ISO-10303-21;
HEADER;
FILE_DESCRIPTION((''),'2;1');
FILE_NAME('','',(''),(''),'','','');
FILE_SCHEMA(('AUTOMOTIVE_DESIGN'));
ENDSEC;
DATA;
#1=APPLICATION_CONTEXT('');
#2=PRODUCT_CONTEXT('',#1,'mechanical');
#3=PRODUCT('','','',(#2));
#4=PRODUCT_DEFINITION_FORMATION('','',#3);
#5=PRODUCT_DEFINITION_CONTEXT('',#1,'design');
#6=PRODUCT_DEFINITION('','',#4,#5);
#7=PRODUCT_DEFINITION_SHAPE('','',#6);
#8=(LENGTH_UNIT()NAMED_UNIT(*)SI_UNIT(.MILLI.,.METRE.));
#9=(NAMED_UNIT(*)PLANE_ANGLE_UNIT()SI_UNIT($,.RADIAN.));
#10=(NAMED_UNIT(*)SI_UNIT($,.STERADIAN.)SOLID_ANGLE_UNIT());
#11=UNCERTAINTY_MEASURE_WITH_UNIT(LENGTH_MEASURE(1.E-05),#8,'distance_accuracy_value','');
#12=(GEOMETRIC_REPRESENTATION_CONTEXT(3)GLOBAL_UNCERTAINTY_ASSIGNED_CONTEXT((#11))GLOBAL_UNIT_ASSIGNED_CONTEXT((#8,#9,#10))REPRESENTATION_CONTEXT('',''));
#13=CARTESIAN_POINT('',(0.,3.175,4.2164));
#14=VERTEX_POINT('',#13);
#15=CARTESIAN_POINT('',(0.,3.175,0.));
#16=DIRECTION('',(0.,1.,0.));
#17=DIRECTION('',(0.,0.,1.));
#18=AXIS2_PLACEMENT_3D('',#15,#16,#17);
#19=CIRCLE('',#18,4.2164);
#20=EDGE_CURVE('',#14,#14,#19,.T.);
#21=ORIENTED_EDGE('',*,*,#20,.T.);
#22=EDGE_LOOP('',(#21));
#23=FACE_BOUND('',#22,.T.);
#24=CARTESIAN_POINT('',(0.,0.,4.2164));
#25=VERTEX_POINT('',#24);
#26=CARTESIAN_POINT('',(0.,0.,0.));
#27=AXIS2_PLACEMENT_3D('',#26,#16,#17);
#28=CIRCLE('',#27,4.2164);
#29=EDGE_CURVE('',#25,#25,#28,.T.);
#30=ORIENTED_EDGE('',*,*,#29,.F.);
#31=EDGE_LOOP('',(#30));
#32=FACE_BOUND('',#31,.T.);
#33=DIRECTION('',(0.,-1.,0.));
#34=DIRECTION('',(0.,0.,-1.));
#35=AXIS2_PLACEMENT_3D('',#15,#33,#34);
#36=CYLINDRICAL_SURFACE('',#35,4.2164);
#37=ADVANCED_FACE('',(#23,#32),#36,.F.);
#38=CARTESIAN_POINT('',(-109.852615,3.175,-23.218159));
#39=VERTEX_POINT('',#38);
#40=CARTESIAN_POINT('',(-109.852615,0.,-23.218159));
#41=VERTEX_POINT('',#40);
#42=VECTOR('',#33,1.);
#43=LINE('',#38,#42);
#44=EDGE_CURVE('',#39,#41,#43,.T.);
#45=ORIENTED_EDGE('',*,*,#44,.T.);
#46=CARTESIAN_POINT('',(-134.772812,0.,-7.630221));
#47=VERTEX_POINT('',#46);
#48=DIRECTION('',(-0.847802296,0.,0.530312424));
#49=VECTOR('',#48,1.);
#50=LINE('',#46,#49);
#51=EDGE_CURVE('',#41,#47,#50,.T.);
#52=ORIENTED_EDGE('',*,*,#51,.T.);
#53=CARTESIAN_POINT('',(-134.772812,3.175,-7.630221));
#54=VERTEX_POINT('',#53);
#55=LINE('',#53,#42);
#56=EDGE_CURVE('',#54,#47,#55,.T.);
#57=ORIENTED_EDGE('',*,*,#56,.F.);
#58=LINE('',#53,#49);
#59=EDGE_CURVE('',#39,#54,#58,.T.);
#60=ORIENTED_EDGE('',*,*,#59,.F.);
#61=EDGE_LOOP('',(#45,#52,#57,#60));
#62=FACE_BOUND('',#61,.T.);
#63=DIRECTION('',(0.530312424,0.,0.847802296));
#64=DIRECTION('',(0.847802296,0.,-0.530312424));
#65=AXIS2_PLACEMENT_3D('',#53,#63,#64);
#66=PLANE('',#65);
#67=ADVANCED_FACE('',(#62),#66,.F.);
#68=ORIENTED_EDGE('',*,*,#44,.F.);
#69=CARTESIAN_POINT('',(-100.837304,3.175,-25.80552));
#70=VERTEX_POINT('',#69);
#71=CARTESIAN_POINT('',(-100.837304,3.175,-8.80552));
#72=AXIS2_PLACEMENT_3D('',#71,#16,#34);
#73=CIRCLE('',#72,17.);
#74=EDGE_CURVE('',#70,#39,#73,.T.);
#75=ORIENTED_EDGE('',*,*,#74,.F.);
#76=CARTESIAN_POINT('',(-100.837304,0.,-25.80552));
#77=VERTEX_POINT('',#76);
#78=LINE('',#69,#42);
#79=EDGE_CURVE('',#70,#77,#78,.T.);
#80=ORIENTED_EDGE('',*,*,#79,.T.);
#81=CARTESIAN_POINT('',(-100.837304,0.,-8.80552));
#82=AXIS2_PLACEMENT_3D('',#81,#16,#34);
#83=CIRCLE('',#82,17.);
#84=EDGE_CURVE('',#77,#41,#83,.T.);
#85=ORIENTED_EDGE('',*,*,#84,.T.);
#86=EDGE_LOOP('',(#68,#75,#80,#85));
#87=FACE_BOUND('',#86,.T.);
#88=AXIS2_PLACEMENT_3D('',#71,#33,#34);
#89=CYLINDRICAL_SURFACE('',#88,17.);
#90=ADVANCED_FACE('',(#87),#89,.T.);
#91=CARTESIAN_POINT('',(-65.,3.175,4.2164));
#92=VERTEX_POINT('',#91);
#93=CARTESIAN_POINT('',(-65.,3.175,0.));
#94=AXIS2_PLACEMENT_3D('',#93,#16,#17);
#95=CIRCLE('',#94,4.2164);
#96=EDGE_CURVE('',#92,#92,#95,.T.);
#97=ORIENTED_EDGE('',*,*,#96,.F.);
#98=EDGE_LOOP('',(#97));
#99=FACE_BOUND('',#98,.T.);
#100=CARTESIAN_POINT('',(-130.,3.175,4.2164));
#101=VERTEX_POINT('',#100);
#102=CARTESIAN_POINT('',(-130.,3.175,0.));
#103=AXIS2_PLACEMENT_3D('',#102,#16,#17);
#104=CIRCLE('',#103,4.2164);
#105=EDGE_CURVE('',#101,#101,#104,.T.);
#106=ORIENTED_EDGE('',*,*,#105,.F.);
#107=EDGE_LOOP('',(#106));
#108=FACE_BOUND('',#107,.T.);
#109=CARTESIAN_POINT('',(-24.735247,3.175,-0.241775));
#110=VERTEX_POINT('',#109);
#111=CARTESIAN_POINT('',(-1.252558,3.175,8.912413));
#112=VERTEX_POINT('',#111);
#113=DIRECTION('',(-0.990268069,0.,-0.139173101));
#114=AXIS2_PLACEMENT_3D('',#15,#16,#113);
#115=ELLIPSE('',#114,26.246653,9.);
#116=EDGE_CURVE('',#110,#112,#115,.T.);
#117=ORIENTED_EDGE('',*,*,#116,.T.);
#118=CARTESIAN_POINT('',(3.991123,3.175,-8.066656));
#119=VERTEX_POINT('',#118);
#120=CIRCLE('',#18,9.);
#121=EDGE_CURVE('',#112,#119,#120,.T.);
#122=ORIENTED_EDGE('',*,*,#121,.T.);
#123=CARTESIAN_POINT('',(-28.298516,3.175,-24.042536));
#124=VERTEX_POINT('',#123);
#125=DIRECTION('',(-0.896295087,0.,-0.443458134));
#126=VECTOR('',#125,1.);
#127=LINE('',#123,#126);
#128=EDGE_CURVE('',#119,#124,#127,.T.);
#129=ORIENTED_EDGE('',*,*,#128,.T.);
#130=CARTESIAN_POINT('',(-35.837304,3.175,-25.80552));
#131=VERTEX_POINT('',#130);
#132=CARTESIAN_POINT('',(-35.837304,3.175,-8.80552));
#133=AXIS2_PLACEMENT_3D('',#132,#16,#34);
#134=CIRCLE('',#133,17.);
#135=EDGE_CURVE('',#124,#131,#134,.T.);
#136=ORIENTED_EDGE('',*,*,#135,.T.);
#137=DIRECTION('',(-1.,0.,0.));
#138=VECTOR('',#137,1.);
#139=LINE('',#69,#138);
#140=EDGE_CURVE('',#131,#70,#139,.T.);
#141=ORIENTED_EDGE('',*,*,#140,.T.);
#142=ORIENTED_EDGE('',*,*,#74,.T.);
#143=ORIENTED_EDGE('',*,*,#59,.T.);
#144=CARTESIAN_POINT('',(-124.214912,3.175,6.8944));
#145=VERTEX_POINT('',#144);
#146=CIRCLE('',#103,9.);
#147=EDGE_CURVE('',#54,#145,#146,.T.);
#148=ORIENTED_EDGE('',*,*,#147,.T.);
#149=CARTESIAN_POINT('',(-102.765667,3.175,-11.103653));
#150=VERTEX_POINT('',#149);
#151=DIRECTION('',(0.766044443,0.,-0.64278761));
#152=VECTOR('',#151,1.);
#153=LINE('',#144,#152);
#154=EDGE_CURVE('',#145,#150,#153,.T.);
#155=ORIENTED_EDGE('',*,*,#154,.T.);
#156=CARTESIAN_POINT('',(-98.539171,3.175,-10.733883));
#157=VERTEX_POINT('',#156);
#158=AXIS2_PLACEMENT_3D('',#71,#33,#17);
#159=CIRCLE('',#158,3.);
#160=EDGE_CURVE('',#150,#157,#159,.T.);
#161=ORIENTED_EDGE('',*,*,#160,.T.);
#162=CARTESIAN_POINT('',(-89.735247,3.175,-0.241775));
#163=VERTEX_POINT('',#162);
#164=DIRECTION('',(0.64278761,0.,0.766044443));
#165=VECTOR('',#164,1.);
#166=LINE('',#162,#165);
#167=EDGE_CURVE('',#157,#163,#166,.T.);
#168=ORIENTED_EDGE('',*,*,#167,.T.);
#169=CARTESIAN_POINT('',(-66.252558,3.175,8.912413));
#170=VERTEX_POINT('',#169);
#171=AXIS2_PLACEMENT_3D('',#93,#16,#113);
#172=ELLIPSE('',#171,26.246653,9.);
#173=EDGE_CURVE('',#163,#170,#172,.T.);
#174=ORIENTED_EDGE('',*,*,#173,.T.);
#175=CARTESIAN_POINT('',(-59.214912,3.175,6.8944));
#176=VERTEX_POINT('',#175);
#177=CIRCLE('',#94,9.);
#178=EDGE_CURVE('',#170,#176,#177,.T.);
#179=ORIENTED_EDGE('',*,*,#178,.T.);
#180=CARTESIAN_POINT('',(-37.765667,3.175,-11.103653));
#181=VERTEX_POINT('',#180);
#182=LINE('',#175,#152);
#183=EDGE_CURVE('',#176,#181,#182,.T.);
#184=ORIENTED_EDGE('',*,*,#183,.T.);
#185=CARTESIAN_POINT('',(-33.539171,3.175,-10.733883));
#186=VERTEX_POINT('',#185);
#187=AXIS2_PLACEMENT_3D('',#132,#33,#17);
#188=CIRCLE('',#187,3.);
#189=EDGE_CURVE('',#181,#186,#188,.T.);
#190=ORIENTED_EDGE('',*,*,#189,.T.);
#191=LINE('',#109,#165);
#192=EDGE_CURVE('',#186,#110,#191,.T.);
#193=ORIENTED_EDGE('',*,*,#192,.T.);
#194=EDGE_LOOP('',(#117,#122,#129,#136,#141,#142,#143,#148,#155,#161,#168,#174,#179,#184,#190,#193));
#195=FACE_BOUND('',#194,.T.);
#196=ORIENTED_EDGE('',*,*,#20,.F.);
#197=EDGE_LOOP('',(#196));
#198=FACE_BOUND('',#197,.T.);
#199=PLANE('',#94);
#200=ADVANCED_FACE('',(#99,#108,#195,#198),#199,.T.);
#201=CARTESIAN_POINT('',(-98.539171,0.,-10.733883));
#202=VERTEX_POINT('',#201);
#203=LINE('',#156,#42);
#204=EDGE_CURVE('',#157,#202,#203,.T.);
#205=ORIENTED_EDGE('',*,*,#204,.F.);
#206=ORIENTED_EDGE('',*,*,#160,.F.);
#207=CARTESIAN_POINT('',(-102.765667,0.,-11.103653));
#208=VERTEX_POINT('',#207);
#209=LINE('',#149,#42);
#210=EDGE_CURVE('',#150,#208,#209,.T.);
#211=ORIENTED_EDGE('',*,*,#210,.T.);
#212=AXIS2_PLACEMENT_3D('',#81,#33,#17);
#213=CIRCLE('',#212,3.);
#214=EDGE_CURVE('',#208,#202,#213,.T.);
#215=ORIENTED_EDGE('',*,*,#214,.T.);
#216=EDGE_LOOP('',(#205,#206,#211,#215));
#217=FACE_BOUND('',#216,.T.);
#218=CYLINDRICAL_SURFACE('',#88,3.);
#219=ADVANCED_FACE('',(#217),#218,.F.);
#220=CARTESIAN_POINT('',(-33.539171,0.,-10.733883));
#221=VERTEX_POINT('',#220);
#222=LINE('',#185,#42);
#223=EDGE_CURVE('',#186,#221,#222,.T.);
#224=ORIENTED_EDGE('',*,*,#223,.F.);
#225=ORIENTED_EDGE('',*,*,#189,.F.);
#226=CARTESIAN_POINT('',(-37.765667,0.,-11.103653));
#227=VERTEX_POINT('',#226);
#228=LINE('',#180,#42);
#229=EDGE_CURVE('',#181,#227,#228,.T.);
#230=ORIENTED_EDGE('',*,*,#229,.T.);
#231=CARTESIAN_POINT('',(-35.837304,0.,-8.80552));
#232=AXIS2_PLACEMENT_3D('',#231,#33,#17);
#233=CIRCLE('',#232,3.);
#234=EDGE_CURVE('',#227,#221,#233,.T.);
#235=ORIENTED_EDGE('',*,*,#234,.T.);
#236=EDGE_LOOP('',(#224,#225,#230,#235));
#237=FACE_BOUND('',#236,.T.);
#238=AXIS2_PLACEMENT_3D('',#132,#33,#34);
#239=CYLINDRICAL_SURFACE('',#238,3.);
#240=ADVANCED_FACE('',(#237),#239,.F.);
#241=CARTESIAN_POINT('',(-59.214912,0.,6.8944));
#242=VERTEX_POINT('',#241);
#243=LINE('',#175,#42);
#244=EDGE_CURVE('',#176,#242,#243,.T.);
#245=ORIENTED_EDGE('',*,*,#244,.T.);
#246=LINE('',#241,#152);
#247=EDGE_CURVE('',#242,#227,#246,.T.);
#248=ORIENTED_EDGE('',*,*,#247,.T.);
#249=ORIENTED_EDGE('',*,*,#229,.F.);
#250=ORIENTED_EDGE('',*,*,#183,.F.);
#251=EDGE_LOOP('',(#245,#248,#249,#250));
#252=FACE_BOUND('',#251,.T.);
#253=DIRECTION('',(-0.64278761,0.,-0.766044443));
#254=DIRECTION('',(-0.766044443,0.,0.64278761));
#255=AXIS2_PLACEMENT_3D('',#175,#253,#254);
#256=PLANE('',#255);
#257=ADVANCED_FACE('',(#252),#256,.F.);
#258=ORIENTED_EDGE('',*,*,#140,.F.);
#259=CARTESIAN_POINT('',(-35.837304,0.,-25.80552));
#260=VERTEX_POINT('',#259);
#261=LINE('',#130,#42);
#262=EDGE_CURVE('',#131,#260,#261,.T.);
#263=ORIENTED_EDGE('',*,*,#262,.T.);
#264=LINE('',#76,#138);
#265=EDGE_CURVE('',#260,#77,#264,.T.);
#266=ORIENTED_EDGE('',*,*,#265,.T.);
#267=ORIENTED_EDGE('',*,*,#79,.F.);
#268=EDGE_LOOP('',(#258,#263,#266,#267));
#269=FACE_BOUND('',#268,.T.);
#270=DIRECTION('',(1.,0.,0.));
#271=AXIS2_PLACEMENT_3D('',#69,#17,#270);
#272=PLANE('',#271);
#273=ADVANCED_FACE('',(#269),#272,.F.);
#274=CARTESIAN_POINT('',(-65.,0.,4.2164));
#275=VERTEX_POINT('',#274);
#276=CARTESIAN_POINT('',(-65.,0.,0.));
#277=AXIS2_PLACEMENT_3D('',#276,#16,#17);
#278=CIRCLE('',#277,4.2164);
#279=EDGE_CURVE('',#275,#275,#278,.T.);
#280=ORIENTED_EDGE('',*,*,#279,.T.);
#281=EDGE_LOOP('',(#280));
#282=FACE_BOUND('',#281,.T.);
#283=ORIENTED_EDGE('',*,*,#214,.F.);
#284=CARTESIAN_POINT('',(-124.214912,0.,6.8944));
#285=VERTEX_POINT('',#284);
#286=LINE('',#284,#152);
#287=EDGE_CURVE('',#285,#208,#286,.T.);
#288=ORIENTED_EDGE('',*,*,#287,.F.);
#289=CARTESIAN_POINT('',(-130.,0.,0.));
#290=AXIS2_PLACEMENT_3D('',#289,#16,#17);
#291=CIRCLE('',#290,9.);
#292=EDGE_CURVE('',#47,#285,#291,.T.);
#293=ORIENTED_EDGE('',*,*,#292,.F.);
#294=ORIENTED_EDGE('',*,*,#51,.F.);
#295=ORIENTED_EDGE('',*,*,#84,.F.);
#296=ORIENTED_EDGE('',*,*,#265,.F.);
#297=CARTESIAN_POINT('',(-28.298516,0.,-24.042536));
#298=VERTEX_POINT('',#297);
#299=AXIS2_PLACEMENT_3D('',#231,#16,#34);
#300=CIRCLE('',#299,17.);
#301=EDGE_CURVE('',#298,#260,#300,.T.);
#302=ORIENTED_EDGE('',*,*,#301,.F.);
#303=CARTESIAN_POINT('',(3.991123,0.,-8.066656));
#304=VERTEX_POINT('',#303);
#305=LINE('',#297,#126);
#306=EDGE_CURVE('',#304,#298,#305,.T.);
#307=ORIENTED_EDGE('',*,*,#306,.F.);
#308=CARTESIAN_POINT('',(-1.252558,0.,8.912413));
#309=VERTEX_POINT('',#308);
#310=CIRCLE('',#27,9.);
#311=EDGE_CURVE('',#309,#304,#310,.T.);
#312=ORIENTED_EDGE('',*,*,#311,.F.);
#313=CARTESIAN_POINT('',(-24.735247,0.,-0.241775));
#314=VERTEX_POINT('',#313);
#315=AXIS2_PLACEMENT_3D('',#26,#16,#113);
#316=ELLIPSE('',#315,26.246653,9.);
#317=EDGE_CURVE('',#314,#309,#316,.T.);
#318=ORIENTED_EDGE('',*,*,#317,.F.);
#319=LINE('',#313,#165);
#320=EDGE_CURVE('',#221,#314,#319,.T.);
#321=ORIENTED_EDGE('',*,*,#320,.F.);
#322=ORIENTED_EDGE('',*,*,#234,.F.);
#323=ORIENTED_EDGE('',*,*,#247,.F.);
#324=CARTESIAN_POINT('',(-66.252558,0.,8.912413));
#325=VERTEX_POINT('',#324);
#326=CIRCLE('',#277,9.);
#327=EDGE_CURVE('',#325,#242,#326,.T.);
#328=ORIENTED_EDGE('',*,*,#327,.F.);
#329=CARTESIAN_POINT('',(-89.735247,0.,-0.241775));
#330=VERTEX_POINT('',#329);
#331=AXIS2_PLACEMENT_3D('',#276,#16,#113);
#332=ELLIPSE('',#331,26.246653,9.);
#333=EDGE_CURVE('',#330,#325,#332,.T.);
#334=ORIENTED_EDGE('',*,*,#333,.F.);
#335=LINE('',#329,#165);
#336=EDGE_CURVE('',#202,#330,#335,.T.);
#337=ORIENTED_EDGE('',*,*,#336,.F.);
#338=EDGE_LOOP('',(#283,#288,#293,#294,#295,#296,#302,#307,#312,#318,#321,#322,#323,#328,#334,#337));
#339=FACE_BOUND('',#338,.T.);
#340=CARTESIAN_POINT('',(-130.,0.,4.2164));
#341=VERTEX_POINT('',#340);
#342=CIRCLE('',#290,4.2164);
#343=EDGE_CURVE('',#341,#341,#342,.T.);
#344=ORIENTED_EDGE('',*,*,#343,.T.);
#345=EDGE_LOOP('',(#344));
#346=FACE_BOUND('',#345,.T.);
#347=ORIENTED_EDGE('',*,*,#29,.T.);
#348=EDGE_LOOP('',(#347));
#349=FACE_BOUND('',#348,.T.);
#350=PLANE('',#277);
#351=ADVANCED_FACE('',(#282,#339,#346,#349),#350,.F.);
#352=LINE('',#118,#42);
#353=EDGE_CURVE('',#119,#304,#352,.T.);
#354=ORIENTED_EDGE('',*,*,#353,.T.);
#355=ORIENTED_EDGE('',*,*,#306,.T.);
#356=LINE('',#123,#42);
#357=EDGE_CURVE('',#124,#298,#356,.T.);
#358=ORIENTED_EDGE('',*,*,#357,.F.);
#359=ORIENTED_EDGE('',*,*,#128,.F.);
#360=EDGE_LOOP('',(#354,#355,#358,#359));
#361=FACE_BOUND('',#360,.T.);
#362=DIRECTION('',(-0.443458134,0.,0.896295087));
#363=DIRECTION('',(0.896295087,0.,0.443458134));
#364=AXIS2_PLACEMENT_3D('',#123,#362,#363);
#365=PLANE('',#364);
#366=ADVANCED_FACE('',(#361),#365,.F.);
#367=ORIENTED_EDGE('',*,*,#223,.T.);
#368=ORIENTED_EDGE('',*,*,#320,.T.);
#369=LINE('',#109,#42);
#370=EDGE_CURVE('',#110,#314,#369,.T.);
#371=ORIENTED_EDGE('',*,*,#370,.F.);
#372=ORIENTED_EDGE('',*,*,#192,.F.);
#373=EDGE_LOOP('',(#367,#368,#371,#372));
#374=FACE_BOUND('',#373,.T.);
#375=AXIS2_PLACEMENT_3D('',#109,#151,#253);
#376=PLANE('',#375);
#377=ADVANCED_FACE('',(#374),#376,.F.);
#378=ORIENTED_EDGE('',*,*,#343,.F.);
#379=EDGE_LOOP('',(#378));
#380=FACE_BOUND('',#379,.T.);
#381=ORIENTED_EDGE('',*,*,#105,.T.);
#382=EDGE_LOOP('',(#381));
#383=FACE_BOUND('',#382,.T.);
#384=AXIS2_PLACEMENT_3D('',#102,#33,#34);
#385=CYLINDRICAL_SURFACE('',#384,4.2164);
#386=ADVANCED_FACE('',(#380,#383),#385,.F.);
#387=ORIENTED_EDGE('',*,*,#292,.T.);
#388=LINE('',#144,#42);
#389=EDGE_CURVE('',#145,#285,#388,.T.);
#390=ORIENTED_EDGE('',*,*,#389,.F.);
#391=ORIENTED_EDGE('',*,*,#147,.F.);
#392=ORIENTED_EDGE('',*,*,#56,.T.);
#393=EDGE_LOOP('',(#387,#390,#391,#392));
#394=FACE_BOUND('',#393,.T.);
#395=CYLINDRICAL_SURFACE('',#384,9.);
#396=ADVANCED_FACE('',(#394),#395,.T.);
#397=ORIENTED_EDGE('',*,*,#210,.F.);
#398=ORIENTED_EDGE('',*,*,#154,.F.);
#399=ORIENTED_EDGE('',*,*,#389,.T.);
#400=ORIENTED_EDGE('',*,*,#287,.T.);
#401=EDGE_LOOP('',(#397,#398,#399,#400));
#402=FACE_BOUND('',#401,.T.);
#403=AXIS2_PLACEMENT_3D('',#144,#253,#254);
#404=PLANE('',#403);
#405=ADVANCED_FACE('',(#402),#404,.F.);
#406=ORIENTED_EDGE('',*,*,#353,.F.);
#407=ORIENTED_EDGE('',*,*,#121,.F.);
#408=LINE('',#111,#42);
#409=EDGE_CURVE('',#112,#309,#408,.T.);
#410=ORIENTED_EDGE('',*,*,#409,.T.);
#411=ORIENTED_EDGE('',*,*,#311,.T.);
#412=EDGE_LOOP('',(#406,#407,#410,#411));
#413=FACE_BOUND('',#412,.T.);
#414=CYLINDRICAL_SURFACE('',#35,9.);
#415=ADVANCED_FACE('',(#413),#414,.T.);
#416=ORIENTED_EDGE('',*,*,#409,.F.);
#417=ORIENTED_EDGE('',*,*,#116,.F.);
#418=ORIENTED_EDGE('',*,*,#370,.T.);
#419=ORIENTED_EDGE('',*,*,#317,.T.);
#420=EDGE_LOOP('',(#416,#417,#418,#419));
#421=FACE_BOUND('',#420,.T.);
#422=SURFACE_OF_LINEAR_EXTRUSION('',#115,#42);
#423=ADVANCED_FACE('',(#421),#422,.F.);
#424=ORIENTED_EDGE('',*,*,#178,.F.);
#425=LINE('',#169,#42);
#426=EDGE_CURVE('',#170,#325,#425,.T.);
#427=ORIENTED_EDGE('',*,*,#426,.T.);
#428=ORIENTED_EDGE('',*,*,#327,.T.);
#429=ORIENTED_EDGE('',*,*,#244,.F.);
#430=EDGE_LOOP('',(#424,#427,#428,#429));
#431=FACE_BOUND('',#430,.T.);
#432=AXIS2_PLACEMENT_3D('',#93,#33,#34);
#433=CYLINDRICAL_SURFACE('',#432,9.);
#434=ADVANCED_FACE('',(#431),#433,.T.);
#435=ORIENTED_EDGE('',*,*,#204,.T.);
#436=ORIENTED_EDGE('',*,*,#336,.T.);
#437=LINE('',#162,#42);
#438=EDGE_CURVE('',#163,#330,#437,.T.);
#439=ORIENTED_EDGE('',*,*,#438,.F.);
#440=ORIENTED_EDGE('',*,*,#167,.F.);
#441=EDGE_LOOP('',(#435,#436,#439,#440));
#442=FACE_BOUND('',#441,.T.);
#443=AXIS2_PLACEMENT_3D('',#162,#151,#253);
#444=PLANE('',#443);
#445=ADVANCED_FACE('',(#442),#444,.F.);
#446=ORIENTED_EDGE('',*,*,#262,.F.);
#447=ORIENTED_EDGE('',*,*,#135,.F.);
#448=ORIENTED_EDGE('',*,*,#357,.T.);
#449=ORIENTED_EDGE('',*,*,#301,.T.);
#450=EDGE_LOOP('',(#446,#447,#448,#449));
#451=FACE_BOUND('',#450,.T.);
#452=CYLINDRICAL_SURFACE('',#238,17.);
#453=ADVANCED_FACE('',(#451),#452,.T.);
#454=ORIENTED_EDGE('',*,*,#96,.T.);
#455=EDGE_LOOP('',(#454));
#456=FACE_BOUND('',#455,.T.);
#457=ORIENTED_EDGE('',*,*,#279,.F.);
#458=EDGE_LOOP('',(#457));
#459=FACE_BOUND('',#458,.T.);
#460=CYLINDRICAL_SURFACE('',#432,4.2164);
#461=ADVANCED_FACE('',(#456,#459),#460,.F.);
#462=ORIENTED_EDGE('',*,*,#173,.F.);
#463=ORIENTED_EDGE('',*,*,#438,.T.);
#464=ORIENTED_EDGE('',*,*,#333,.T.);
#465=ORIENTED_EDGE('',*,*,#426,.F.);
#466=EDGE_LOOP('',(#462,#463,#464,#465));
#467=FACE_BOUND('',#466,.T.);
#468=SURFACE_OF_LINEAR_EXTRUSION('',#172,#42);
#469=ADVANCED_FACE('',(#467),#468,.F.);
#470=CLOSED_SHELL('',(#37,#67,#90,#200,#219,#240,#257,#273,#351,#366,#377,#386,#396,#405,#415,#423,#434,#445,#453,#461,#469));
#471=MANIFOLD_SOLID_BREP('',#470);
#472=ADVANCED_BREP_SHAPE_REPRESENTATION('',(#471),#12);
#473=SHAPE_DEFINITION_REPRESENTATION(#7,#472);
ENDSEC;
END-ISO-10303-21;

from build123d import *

# Parameters (mm, degrees)
SKETCH1_R           = 4.2164
BOSS_EXTRUDE1_DEPTH = 3.175


with BuildPart() as part:
    # Sketch1 → Boss-Extrude1 (new body)
    with BuildSketch(Plane(origin=(0, 0, 0), x_dir=(1, 0, 0), z_dir=(0, 1, 0))):
        with BuildLine():
            Line((-59.214911513, -6.894399988), (-37.765667105, 11.103653083))
            ThreePointArc((-37.765667105, 11.103653083), (-35.575837048, 11.794103848), (-33.539170947, 10.733882583))
            Line((-33.539170947, 10.733882583), (-24.735247395, 0.241775061))
            add(Edge.make_bspline(
                [(-24.735247395, 0.241775061), (-19.166526074, -6.39476858), (-1.252557909, -8.912412619)],
                knots=[0.363872068, 0.363872068, 0.363872068, 1.570796327, 1.570796327, 1.570796327], degree=2, weights=[1, 0.823375807, 1]))
            ThreePointArc((-1.252557909, -8.912412619), (8.599251475, -2.655724773), (3.991123209, 8.066655784))
            Line((3.991123209, 8.066655784), (-28.298515993, 24.042536234))
            ThreePointArc((-28.298515993, 24.042536234), (-31.966211418, 25.358907325), (-35.837304276, 25.805519754))
            Line((-35.837304276, 25.805519754), (-100.837304276, 25.805519754))
            ThreePointArc((-100.837304276, 25.805519754), (-105.526927742, 25.145881798), (-109.852615487, 23.218158783))
            Line((-109.852615487, 23.218158783), (-134.772811817, 7.630220662))
            ThreePointArc((-134.772811817, 7.630220662), (-137.279926323, -5.291755165), (-124.214911513, -6.894399988))
            Line((-124.214911513, -6.894399988), (-102.765667105, 11.103653083))
            ThreePointArc((-102.765667105, 11.103653083), (-100.575837048, 11.794103848), (-98.539170947, 10.733882583))
            Line((-98.539170947, 10.733882583), (-89.735247395, 0.241775061))
            add(Edge.make_bspline(
                [(-89.735247395, 0.241775061), (-84.166526074, -6.39476858), (-66.252557909, -8.912412619)],
                knots=[0.363872068, 0.363872068, 0.363872068, 1.570796327, 1.570796327, 1.570796327], degree=2, weights=[1, 0.823375807, 1]))
            ThreePointArc((-66.252557909, -8.912412619), (-62.519263798, -8.651355263), (-59.214911513, -6.894399988))
        make_face()
        with Locations(Location((0, 0, 0), (0, 0, 270))):
            Circle(SKETCH1_R, mode=Mode.SUBTRACT)
        with Locations(Location((-65, 0, 0), (0, 0, 270))):
            Circle(SKETCH1_R, mode=Mode.SUBTRACT)
        with Locations(Location((-130, 0, 0), (0, 0, 270))):
            Circle(SKETCH1_R, mode=Mode.SUBTRACT)
    extrude(amount=BOSS_EXTRUDE1_DEPTH)


solid = part.part
